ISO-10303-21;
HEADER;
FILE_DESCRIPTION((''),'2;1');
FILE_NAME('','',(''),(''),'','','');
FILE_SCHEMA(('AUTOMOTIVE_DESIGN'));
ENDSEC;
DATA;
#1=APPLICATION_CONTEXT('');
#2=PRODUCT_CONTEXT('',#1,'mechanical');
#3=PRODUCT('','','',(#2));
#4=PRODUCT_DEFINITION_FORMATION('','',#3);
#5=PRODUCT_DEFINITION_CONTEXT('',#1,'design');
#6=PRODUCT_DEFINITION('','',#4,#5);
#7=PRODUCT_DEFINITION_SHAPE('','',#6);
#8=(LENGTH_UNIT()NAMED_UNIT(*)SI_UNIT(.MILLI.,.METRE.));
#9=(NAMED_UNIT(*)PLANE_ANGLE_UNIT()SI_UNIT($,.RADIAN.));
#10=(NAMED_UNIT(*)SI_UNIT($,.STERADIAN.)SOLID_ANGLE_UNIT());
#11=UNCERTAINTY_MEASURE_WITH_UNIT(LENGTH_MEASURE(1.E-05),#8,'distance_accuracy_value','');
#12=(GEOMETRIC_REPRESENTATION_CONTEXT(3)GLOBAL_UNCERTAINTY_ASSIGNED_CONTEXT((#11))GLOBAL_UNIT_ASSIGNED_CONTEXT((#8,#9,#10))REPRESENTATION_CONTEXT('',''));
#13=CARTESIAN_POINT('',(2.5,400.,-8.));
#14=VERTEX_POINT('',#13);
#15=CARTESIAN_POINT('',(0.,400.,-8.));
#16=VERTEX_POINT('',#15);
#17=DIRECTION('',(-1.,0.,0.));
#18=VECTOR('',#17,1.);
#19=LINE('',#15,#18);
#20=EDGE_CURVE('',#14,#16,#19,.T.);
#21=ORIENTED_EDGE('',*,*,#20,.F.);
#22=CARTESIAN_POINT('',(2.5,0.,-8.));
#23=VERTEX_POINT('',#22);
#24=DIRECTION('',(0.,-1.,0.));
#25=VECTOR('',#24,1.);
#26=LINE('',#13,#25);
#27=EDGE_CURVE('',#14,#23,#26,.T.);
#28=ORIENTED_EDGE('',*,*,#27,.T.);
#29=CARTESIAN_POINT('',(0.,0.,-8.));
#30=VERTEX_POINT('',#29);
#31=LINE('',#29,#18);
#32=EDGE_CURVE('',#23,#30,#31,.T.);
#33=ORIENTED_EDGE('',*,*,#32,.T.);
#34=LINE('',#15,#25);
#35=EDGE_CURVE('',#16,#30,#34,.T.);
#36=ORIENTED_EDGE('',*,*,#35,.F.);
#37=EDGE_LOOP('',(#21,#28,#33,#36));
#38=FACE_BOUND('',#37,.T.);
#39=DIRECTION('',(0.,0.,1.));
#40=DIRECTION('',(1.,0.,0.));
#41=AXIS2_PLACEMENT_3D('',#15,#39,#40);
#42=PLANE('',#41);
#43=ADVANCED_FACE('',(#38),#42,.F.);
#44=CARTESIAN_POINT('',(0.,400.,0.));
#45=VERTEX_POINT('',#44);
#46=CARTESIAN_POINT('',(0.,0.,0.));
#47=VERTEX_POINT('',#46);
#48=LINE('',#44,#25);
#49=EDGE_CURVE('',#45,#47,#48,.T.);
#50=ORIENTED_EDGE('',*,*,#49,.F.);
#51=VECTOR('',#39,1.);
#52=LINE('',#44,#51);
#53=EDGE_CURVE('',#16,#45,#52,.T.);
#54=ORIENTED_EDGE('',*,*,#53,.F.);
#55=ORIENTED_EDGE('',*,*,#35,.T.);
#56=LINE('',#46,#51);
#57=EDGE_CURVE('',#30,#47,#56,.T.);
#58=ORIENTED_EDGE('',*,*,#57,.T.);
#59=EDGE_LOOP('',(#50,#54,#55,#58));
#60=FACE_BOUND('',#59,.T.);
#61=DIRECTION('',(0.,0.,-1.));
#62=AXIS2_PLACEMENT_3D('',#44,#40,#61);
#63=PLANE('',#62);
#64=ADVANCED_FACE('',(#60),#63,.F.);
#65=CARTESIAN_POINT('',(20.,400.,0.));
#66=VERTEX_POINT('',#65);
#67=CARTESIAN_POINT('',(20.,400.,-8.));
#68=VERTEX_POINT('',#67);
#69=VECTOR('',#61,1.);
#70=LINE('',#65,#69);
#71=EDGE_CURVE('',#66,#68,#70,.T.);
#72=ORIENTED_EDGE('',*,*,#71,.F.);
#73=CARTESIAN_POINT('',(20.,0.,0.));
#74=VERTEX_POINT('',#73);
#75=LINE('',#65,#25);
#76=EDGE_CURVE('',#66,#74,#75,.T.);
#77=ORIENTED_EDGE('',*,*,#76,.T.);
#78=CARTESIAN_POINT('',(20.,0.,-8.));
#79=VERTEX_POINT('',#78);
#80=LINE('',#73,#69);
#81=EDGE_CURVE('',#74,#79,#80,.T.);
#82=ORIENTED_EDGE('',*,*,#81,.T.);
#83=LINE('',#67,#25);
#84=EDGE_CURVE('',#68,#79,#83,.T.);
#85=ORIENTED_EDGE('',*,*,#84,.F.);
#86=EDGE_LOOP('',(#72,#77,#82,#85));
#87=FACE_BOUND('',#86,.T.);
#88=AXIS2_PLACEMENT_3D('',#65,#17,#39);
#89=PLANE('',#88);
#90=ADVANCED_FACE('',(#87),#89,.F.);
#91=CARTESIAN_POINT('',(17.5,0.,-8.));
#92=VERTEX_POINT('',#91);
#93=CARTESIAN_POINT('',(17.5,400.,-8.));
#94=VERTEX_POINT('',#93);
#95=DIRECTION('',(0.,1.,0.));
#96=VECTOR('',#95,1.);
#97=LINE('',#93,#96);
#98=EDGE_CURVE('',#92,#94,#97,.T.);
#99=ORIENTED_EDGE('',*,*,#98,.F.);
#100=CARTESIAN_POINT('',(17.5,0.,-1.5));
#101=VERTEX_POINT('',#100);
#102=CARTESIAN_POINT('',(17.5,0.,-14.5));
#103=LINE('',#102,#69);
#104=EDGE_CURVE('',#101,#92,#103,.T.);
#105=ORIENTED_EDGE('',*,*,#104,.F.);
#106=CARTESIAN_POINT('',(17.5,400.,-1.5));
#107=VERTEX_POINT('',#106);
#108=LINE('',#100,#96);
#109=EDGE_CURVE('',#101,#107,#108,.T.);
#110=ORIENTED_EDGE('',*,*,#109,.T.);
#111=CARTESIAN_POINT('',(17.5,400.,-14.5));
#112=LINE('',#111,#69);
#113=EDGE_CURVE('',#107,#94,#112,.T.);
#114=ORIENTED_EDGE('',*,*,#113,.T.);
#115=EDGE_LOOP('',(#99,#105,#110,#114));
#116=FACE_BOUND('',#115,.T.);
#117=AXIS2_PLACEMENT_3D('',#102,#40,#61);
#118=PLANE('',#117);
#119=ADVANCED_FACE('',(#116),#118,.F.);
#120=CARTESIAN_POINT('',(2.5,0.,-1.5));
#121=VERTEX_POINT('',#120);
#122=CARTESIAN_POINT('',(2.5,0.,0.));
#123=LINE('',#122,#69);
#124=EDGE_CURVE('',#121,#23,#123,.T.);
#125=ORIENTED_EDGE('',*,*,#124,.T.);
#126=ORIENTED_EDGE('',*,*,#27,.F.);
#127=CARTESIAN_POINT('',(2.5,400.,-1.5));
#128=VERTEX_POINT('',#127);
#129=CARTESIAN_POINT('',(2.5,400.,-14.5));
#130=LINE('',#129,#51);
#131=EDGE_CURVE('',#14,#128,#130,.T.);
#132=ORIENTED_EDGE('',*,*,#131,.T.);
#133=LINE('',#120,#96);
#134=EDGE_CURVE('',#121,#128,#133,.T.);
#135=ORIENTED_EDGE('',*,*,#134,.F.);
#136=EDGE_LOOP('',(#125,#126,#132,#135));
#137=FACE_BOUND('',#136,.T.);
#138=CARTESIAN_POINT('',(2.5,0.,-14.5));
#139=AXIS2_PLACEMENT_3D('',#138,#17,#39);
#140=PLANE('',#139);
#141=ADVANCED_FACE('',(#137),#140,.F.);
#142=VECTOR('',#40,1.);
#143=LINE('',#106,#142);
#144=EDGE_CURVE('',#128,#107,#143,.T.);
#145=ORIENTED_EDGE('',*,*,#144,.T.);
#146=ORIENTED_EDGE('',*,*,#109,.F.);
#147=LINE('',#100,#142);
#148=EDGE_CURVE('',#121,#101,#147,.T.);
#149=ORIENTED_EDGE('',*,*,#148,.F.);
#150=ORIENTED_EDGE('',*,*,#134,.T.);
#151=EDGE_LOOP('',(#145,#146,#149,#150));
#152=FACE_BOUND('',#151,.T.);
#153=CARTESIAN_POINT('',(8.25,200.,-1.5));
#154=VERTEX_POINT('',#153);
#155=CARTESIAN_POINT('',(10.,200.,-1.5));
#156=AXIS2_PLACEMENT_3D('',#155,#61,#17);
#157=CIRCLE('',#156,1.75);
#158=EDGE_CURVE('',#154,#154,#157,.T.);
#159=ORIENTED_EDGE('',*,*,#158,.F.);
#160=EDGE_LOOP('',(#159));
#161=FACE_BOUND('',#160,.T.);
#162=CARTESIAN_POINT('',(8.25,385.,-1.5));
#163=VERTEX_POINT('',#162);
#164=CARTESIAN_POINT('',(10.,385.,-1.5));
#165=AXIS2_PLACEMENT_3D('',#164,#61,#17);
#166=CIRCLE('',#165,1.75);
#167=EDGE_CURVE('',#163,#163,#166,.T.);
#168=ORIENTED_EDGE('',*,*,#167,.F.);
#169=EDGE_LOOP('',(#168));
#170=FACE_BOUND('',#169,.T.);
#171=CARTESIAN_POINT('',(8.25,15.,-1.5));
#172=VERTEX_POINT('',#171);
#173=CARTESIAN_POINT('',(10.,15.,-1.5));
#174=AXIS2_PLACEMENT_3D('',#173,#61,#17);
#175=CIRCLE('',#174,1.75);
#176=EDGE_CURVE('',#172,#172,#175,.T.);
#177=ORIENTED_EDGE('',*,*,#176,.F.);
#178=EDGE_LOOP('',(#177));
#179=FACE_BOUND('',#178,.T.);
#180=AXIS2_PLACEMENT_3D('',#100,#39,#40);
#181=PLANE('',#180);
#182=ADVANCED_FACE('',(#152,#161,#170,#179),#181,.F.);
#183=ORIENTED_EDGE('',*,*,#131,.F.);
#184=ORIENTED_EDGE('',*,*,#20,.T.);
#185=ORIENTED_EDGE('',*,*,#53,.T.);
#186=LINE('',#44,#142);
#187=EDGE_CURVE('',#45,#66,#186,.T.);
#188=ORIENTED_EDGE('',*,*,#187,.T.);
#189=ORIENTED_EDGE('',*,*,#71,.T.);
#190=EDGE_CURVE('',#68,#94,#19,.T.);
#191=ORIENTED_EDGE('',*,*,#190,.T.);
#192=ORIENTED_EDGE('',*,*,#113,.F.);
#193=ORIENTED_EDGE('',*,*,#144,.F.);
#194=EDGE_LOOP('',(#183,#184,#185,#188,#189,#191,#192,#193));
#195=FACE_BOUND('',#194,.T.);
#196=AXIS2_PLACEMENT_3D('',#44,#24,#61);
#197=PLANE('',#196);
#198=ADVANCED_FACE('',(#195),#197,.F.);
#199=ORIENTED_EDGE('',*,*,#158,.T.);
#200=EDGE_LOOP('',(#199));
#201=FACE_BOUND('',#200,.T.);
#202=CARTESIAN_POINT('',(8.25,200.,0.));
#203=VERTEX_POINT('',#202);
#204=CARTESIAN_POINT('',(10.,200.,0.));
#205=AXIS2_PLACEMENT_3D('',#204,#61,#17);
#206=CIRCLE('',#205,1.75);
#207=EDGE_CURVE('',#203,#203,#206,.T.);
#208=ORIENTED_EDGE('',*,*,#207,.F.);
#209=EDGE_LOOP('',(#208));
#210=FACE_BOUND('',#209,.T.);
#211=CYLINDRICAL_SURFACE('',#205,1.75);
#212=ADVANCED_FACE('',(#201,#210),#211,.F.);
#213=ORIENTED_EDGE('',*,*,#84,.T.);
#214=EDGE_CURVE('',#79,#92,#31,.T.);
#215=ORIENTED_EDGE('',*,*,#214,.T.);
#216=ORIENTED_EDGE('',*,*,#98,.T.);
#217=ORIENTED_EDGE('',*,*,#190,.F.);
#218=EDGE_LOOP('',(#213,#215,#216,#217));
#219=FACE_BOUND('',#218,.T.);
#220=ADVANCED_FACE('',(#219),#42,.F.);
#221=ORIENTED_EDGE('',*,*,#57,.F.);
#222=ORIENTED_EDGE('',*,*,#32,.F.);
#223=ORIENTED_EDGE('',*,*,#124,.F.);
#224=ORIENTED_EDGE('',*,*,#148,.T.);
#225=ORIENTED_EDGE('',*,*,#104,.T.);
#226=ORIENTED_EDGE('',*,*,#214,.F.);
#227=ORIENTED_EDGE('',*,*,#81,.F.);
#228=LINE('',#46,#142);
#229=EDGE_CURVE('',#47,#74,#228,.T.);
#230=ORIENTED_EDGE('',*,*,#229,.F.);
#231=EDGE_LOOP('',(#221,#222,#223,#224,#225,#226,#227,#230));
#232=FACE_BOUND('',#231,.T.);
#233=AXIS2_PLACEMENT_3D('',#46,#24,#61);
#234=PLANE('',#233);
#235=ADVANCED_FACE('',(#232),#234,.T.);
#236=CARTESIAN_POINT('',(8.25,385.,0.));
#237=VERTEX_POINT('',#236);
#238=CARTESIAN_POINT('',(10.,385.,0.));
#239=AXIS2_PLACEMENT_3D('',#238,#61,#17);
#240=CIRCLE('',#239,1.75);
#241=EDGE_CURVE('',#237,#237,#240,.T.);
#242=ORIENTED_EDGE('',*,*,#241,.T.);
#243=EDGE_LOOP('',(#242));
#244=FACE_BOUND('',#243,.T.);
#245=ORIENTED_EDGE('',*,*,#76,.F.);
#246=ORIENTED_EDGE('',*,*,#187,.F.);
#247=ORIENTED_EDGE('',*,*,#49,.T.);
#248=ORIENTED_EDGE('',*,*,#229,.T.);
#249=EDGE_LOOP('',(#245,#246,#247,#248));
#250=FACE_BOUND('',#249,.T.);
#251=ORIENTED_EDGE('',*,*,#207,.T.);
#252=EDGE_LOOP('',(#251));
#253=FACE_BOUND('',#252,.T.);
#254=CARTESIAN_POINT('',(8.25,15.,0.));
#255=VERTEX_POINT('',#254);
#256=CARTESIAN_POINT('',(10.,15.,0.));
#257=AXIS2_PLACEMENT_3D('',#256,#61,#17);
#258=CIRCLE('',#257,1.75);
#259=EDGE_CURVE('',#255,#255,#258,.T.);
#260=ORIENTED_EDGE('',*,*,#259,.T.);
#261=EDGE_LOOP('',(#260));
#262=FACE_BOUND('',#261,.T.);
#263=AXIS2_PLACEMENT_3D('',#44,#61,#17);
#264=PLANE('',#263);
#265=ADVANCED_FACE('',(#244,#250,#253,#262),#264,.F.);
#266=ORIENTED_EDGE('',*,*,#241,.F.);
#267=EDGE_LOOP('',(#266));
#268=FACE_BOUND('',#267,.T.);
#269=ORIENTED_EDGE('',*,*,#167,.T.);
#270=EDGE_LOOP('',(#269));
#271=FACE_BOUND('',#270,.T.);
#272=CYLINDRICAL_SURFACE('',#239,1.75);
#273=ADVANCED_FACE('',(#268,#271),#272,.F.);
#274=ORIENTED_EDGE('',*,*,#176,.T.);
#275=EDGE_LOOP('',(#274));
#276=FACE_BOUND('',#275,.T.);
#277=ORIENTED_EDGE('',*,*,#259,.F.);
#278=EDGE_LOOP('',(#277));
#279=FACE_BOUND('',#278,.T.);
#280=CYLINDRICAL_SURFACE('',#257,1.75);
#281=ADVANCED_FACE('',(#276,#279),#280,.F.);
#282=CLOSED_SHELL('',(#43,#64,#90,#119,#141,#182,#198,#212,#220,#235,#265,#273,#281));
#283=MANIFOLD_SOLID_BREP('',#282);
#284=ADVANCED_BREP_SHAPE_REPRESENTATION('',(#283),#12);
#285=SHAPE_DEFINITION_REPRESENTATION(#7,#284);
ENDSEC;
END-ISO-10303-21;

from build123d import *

# Parameters (mm, degrees)
SKETCH1_W           = 20
SKETCH1_H           = 8
BOSS_EXTRUDE1_DEPTH = 400
SKETCH2_W           = 15
SKETCH2_H           = 13
CUT_EXTRUDE1_DEPTH  = 401
SKETCH3_R           = 1.75
CUT_EXTRUDE2_DEPTH  = 2.5


with BuildPart() as part:
    # Sketch1 → Boss-Extrude1 (new body)
    with BuildSketch(Plane(origin=(0, 0, 0), x_dir=(1, 0, 0), z_dir=(0, 1, 0))):
        with Locations((10, 4)):
            Rectangle(SKETCH1_W, SKETCH1_H)
    extrude(amount=BOSS_EXTRUDE1_DEPTH)

    # Sketch2 → Cut-Extrude1 (cut, through all)
    with BuildSketch(Plane(origin=(0, 400, 0), x_dir=(1, 0, 0), z_dir=(0, 1, 0))):
        with Locations((10, 8)):
            Rectangle(SKETCH2_W, SKETCH2_H)
    extrude(amount=-CUT_EXTRUDE1_DEPTH, mode=Mode.SUBTRACT)

    # Sketch3 → Cut-Extrude2 (cut, through all)
    with BuildSketch(Plane(origin=(0, 0, -1.5), x_dir=(-1, 0, 0), z_dir=(0, 0, -1))):
        with Locations((-10, 385)):
            Circle(SKETCH3_R)
        with Locations((-10, 200)):
            Circle(SKETCH3_R)
        with Locations((-10, 15)):
            Circle(SKETCH3_R)
    extrude(amount=-CUT_EXTRUDE2_DEPTH, mode=Mode.SUBTRACT)


solid = part.part
